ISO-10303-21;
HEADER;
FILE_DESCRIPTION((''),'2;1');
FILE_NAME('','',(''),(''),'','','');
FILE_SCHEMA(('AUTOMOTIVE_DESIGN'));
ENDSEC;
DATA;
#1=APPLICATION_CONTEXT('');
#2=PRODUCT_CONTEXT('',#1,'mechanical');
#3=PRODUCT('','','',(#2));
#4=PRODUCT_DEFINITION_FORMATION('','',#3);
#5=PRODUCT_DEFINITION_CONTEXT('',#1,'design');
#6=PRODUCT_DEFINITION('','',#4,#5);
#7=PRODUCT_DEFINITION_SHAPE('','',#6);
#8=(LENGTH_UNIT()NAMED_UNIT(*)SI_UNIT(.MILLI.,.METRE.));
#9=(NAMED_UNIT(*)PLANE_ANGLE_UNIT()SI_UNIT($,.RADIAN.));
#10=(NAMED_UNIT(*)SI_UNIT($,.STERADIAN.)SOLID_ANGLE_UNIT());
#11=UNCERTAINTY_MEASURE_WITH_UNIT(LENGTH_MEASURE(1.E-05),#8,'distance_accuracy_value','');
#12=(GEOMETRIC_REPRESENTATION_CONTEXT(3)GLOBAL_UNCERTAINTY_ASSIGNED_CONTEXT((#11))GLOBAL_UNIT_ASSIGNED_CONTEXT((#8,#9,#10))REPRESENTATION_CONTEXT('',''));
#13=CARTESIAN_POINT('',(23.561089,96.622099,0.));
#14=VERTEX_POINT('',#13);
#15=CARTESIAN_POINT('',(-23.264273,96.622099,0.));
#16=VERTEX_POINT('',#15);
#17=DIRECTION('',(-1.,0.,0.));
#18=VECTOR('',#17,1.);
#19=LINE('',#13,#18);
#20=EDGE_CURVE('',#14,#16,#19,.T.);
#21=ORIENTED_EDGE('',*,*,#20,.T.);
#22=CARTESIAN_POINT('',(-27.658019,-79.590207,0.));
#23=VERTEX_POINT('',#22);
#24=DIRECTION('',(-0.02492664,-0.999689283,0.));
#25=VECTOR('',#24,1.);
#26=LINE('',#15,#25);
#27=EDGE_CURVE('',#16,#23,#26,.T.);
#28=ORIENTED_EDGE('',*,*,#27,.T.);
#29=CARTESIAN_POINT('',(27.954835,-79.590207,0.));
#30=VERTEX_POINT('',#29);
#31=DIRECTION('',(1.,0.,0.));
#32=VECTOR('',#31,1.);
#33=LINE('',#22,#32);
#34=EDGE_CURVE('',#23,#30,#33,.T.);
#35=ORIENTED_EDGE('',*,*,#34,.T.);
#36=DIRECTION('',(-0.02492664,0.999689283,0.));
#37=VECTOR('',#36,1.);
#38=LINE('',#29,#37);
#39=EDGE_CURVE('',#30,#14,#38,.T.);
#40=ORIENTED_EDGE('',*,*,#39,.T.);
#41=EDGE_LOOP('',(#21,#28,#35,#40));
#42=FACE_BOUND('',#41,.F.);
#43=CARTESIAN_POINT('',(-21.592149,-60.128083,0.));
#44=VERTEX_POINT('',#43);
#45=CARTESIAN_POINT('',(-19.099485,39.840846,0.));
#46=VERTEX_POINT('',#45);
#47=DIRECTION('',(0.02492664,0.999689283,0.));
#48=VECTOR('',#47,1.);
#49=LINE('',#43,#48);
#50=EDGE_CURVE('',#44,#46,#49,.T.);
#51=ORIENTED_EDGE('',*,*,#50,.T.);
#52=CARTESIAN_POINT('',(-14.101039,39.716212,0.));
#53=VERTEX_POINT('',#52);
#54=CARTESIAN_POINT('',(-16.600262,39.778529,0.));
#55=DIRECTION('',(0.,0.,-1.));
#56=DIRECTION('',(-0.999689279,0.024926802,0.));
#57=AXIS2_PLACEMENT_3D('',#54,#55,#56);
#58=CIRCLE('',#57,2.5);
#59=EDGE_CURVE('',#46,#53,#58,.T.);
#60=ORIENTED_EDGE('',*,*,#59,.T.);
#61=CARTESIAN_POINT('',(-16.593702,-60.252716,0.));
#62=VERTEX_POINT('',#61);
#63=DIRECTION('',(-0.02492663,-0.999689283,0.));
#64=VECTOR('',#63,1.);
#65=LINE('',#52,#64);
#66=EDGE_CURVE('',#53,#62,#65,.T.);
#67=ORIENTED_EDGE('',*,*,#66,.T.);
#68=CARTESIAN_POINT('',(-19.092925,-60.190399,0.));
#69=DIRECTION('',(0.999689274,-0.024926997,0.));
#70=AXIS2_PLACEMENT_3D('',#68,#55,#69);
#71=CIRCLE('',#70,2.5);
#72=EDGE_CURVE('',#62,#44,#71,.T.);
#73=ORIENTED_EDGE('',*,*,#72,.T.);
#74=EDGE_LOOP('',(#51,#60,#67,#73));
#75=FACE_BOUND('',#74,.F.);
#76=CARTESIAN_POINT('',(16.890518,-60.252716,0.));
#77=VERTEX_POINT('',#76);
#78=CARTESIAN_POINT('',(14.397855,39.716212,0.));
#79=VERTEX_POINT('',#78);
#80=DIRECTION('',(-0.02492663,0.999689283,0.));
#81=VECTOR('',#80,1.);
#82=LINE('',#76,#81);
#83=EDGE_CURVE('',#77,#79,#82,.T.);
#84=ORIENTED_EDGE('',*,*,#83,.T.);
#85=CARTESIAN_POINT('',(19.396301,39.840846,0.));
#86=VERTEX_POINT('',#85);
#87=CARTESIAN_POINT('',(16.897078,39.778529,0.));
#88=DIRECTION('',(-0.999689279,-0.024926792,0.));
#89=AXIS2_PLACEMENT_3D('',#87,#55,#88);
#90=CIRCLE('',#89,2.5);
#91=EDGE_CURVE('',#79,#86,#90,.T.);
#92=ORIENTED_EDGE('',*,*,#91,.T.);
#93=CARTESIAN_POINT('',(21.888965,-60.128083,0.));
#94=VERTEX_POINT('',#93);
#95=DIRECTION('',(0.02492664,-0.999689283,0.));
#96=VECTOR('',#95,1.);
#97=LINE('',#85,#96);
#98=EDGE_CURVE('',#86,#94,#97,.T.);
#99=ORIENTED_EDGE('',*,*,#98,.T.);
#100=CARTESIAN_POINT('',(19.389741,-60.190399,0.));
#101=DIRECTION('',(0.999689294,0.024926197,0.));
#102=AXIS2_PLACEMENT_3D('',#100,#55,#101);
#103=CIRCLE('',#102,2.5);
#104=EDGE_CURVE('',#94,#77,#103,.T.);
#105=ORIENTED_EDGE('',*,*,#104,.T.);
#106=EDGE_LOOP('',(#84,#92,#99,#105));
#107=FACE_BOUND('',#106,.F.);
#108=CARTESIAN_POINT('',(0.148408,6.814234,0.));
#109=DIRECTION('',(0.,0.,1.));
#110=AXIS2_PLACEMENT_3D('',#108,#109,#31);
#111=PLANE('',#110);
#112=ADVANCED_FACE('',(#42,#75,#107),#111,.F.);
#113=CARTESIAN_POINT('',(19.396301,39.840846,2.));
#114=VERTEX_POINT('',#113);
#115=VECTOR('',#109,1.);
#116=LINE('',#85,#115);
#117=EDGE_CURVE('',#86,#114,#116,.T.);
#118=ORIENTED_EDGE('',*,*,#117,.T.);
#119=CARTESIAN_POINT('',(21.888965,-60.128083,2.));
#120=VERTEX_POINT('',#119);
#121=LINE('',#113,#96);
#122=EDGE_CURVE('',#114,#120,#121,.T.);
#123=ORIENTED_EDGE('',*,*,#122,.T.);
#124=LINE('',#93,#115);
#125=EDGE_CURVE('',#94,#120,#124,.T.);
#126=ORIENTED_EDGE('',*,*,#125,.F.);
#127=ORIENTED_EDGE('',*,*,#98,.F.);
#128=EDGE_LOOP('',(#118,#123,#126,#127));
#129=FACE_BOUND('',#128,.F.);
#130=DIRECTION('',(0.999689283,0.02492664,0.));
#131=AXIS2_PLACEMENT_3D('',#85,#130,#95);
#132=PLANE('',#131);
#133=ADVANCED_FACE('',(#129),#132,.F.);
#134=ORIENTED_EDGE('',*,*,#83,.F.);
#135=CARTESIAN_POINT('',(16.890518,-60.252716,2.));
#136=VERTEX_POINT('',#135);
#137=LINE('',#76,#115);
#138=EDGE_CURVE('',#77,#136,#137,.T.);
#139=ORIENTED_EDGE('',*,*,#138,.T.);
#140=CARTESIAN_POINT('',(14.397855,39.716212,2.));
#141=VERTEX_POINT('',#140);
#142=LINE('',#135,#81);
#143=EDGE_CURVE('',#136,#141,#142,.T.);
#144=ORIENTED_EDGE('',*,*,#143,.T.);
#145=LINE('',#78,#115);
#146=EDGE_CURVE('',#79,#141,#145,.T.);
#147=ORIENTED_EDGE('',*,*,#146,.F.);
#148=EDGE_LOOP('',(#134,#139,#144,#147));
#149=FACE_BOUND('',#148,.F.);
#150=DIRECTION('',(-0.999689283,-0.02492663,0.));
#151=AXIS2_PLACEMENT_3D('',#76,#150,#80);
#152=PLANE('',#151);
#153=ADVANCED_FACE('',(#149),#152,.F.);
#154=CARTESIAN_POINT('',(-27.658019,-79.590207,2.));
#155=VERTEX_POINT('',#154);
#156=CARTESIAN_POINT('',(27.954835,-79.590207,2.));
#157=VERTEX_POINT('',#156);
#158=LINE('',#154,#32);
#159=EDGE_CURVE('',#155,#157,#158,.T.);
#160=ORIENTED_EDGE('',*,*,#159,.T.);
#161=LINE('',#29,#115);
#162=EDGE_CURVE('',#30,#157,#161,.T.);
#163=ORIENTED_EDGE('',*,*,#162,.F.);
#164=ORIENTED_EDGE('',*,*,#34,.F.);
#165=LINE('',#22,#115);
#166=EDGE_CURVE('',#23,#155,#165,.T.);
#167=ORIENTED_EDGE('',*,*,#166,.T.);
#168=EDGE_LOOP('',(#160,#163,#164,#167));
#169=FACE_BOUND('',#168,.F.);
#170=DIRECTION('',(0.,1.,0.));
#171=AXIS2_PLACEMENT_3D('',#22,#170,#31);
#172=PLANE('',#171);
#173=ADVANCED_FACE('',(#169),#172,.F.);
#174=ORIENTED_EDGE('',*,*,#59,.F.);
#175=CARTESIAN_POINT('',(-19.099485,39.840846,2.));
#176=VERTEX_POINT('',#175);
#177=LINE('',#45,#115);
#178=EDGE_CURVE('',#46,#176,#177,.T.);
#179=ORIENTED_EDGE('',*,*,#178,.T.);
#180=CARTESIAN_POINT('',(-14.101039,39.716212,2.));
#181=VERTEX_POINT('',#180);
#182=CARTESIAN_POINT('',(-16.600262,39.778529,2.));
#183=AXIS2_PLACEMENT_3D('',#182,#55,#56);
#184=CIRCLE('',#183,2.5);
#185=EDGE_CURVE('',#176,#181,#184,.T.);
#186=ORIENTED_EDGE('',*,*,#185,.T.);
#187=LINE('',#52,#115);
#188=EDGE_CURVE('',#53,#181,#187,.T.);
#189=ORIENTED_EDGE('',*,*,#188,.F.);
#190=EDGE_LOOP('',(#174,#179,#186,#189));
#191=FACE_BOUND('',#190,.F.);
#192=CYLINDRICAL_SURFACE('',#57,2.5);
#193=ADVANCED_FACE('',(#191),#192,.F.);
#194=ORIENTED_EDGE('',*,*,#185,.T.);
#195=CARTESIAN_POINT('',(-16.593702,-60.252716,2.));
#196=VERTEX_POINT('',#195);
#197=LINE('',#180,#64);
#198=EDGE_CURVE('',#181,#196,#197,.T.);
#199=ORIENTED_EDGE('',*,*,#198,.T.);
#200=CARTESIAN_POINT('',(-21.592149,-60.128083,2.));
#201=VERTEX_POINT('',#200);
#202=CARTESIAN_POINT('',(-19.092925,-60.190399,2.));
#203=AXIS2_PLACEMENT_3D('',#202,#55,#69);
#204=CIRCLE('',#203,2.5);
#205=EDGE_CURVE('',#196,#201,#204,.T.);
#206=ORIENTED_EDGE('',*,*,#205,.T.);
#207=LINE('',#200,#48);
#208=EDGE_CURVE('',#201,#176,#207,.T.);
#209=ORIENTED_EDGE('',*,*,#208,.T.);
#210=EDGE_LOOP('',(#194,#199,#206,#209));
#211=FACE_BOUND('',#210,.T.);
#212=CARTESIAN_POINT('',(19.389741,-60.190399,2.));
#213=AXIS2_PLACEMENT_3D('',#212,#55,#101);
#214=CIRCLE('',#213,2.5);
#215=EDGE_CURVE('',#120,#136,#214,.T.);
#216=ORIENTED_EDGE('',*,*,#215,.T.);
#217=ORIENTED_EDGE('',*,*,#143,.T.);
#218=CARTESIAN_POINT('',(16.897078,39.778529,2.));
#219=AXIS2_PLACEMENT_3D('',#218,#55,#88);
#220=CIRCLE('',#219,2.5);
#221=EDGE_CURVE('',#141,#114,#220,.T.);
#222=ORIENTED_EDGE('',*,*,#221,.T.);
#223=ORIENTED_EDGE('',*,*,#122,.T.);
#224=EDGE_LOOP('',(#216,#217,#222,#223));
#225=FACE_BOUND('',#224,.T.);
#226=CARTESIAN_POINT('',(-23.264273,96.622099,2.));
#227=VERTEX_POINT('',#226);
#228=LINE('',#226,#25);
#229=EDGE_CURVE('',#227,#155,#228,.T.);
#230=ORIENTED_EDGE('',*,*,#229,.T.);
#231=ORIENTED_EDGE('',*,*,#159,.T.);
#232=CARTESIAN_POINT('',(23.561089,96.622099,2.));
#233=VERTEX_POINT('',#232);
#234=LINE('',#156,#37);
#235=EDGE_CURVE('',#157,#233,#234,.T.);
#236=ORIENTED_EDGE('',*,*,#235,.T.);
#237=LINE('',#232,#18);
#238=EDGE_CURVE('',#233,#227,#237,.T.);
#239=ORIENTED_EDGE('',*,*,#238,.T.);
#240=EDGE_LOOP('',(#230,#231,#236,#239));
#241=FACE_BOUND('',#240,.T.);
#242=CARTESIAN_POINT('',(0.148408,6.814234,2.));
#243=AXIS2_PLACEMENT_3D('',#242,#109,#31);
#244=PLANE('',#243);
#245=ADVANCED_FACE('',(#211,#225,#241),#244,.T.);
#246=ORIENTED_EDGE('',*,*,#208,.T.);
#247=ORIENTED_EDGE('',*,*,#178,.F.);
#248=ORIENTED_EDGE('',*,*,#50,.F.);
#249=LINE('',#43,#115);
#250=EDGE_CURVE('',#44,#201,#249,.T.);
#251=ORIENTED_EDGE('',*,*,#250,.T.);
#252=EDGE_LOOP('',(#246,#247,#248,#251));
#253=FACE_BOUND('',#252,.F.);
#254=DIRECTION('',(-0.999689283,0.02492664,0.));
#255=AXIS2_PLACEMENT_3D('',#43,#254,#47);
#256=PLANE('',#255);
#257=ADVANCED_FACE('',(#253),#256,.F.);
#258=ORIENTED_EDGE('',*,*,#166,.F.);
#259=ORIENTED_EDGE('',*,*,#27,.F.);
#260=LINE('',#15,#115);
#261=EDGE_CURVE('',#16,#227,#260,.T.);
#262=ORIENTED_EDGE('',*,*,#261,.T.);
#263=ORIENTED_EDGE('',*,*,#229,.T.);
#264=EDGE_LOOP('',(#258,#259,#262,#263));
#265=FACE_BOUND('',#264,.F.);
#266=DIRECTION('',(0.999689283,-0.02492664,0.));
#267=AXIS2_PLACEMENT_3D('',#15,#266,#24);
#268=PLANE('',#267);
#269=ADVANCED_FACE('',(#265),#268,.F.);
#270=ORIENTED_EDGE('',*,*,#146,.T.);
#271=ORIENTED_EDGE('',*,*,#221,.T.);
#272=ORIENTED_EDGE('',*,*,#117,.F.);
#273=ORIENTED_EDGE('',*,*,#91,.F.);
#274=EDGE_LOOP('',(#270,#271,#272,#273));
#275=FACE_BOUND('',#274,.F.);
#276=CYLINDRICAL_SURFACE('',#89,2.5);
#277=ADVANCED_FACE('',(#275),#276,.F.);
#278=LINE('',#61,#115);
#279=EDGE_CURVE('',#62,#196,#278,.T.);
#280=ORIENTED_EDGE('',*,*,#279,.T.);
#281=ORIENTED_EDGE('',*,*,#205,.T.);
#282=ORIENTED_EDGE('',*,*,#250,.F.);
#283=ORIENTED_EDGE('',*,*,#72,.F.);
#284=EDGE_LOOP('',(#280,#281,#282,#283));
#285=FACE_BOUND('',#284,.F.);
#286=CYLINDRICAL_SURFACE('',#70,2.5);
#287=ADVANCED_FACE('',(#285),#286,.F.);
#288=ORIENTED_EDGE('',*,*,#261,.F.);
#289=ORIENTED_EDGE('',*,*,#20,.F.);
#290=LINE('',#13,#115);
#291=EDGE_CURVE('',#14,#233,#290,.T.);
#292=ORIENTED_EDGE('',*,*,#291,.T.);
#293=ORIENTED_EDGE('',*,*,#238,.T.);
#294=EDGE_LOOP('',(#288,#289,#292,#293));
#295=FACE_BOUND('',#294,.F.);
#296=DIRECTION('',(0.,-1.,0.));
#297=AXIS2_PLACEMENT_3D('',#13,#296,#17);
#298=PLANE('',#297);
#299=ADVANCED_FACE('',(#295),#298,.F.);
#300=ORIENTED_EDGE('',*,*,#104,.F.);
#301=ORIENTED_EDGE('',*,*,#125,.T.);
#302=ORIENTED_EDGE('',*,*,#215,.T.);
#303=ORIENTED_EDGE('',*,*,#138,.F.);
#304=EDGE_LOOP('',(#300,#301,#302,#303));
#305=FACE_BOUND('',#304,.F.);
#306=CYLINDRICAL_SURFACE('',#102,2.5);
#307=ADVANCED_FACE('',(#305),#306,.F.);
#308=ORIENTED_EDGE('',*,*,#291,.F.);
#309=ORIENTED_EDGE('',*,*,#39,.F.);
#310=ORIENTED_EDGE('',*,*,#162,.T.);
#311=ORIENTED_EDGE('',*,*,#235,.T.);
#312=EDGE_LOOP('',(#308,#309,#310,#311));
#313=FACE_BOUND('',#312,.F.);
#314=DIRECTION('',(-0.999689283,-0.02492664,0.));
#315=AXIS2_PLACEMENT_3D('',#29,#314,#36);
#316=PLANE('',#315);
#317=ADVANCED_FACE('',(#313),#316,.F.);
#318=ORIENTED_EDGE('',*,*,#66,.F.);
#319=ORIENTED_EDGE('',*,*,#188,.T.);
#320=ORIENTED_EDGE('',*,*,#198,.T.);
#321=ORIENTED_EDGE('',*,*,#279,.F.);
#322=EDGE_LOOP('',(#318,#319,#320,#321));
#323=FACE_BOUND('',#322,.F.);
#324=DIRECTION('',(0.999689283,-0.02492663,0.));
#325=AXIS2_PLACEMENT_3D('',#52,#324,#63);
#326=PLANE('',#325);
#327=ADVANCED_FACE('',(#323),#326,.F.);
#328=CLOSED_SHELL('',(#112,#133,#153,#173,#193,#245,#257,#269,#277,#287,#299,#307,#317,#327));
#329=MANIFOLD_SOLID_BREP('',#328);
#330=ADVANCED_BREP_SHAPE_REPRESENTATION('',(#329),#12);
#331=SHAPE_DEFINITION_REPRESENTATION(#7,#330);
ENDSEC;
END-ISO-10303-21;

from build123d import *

# Parameters (mm, degrees)
F1_DEPTH = 2


with BuildPart() as f1:
    # F0 (on Top) → F1 (new body)
    with BuildSketch(Plane.XY):
        Polygon((27.954835, -79.590207), (23.561089, 96.622099), (-23.264273, 96.622099), (-27.658019, -79.590207), align=None)
        with BuildLine():
            Line((-21.592149, -60.128083), (-19.099485, 39.840846))
            ThreePointArc((-19.099485, 39.840846), (-16.537945, 42.277752), (-14.101039, 39.716212))
            Line((-14.101039, 39.716212), (-16.593702, -60.252716))
            ThreePointArc((-16.593702, -60.252716), (-19.155242, -62.689622), (-21.592149, -60.128083))
        make_face(mode=Mode.SUBTRACT)
        with BuildLine():
            ThreePointArc((14.397855, 39.716212), (16.834762, 42.277752), (19.396301, 39.840846))
            Line((19.396301, 39.840846), (21.888965, -60.128083))
            ThreePointArc((21.888965, -60.128083), (19.452058, -62.689622), (16.890518, -60.252716))
            Line((16.890518, -60.252716), (14.397855, 39.716212))
        make_face(mode=Mode.SUBTRACT)
    extrude(amount=F1_DEPTH)


solid = f1.part
